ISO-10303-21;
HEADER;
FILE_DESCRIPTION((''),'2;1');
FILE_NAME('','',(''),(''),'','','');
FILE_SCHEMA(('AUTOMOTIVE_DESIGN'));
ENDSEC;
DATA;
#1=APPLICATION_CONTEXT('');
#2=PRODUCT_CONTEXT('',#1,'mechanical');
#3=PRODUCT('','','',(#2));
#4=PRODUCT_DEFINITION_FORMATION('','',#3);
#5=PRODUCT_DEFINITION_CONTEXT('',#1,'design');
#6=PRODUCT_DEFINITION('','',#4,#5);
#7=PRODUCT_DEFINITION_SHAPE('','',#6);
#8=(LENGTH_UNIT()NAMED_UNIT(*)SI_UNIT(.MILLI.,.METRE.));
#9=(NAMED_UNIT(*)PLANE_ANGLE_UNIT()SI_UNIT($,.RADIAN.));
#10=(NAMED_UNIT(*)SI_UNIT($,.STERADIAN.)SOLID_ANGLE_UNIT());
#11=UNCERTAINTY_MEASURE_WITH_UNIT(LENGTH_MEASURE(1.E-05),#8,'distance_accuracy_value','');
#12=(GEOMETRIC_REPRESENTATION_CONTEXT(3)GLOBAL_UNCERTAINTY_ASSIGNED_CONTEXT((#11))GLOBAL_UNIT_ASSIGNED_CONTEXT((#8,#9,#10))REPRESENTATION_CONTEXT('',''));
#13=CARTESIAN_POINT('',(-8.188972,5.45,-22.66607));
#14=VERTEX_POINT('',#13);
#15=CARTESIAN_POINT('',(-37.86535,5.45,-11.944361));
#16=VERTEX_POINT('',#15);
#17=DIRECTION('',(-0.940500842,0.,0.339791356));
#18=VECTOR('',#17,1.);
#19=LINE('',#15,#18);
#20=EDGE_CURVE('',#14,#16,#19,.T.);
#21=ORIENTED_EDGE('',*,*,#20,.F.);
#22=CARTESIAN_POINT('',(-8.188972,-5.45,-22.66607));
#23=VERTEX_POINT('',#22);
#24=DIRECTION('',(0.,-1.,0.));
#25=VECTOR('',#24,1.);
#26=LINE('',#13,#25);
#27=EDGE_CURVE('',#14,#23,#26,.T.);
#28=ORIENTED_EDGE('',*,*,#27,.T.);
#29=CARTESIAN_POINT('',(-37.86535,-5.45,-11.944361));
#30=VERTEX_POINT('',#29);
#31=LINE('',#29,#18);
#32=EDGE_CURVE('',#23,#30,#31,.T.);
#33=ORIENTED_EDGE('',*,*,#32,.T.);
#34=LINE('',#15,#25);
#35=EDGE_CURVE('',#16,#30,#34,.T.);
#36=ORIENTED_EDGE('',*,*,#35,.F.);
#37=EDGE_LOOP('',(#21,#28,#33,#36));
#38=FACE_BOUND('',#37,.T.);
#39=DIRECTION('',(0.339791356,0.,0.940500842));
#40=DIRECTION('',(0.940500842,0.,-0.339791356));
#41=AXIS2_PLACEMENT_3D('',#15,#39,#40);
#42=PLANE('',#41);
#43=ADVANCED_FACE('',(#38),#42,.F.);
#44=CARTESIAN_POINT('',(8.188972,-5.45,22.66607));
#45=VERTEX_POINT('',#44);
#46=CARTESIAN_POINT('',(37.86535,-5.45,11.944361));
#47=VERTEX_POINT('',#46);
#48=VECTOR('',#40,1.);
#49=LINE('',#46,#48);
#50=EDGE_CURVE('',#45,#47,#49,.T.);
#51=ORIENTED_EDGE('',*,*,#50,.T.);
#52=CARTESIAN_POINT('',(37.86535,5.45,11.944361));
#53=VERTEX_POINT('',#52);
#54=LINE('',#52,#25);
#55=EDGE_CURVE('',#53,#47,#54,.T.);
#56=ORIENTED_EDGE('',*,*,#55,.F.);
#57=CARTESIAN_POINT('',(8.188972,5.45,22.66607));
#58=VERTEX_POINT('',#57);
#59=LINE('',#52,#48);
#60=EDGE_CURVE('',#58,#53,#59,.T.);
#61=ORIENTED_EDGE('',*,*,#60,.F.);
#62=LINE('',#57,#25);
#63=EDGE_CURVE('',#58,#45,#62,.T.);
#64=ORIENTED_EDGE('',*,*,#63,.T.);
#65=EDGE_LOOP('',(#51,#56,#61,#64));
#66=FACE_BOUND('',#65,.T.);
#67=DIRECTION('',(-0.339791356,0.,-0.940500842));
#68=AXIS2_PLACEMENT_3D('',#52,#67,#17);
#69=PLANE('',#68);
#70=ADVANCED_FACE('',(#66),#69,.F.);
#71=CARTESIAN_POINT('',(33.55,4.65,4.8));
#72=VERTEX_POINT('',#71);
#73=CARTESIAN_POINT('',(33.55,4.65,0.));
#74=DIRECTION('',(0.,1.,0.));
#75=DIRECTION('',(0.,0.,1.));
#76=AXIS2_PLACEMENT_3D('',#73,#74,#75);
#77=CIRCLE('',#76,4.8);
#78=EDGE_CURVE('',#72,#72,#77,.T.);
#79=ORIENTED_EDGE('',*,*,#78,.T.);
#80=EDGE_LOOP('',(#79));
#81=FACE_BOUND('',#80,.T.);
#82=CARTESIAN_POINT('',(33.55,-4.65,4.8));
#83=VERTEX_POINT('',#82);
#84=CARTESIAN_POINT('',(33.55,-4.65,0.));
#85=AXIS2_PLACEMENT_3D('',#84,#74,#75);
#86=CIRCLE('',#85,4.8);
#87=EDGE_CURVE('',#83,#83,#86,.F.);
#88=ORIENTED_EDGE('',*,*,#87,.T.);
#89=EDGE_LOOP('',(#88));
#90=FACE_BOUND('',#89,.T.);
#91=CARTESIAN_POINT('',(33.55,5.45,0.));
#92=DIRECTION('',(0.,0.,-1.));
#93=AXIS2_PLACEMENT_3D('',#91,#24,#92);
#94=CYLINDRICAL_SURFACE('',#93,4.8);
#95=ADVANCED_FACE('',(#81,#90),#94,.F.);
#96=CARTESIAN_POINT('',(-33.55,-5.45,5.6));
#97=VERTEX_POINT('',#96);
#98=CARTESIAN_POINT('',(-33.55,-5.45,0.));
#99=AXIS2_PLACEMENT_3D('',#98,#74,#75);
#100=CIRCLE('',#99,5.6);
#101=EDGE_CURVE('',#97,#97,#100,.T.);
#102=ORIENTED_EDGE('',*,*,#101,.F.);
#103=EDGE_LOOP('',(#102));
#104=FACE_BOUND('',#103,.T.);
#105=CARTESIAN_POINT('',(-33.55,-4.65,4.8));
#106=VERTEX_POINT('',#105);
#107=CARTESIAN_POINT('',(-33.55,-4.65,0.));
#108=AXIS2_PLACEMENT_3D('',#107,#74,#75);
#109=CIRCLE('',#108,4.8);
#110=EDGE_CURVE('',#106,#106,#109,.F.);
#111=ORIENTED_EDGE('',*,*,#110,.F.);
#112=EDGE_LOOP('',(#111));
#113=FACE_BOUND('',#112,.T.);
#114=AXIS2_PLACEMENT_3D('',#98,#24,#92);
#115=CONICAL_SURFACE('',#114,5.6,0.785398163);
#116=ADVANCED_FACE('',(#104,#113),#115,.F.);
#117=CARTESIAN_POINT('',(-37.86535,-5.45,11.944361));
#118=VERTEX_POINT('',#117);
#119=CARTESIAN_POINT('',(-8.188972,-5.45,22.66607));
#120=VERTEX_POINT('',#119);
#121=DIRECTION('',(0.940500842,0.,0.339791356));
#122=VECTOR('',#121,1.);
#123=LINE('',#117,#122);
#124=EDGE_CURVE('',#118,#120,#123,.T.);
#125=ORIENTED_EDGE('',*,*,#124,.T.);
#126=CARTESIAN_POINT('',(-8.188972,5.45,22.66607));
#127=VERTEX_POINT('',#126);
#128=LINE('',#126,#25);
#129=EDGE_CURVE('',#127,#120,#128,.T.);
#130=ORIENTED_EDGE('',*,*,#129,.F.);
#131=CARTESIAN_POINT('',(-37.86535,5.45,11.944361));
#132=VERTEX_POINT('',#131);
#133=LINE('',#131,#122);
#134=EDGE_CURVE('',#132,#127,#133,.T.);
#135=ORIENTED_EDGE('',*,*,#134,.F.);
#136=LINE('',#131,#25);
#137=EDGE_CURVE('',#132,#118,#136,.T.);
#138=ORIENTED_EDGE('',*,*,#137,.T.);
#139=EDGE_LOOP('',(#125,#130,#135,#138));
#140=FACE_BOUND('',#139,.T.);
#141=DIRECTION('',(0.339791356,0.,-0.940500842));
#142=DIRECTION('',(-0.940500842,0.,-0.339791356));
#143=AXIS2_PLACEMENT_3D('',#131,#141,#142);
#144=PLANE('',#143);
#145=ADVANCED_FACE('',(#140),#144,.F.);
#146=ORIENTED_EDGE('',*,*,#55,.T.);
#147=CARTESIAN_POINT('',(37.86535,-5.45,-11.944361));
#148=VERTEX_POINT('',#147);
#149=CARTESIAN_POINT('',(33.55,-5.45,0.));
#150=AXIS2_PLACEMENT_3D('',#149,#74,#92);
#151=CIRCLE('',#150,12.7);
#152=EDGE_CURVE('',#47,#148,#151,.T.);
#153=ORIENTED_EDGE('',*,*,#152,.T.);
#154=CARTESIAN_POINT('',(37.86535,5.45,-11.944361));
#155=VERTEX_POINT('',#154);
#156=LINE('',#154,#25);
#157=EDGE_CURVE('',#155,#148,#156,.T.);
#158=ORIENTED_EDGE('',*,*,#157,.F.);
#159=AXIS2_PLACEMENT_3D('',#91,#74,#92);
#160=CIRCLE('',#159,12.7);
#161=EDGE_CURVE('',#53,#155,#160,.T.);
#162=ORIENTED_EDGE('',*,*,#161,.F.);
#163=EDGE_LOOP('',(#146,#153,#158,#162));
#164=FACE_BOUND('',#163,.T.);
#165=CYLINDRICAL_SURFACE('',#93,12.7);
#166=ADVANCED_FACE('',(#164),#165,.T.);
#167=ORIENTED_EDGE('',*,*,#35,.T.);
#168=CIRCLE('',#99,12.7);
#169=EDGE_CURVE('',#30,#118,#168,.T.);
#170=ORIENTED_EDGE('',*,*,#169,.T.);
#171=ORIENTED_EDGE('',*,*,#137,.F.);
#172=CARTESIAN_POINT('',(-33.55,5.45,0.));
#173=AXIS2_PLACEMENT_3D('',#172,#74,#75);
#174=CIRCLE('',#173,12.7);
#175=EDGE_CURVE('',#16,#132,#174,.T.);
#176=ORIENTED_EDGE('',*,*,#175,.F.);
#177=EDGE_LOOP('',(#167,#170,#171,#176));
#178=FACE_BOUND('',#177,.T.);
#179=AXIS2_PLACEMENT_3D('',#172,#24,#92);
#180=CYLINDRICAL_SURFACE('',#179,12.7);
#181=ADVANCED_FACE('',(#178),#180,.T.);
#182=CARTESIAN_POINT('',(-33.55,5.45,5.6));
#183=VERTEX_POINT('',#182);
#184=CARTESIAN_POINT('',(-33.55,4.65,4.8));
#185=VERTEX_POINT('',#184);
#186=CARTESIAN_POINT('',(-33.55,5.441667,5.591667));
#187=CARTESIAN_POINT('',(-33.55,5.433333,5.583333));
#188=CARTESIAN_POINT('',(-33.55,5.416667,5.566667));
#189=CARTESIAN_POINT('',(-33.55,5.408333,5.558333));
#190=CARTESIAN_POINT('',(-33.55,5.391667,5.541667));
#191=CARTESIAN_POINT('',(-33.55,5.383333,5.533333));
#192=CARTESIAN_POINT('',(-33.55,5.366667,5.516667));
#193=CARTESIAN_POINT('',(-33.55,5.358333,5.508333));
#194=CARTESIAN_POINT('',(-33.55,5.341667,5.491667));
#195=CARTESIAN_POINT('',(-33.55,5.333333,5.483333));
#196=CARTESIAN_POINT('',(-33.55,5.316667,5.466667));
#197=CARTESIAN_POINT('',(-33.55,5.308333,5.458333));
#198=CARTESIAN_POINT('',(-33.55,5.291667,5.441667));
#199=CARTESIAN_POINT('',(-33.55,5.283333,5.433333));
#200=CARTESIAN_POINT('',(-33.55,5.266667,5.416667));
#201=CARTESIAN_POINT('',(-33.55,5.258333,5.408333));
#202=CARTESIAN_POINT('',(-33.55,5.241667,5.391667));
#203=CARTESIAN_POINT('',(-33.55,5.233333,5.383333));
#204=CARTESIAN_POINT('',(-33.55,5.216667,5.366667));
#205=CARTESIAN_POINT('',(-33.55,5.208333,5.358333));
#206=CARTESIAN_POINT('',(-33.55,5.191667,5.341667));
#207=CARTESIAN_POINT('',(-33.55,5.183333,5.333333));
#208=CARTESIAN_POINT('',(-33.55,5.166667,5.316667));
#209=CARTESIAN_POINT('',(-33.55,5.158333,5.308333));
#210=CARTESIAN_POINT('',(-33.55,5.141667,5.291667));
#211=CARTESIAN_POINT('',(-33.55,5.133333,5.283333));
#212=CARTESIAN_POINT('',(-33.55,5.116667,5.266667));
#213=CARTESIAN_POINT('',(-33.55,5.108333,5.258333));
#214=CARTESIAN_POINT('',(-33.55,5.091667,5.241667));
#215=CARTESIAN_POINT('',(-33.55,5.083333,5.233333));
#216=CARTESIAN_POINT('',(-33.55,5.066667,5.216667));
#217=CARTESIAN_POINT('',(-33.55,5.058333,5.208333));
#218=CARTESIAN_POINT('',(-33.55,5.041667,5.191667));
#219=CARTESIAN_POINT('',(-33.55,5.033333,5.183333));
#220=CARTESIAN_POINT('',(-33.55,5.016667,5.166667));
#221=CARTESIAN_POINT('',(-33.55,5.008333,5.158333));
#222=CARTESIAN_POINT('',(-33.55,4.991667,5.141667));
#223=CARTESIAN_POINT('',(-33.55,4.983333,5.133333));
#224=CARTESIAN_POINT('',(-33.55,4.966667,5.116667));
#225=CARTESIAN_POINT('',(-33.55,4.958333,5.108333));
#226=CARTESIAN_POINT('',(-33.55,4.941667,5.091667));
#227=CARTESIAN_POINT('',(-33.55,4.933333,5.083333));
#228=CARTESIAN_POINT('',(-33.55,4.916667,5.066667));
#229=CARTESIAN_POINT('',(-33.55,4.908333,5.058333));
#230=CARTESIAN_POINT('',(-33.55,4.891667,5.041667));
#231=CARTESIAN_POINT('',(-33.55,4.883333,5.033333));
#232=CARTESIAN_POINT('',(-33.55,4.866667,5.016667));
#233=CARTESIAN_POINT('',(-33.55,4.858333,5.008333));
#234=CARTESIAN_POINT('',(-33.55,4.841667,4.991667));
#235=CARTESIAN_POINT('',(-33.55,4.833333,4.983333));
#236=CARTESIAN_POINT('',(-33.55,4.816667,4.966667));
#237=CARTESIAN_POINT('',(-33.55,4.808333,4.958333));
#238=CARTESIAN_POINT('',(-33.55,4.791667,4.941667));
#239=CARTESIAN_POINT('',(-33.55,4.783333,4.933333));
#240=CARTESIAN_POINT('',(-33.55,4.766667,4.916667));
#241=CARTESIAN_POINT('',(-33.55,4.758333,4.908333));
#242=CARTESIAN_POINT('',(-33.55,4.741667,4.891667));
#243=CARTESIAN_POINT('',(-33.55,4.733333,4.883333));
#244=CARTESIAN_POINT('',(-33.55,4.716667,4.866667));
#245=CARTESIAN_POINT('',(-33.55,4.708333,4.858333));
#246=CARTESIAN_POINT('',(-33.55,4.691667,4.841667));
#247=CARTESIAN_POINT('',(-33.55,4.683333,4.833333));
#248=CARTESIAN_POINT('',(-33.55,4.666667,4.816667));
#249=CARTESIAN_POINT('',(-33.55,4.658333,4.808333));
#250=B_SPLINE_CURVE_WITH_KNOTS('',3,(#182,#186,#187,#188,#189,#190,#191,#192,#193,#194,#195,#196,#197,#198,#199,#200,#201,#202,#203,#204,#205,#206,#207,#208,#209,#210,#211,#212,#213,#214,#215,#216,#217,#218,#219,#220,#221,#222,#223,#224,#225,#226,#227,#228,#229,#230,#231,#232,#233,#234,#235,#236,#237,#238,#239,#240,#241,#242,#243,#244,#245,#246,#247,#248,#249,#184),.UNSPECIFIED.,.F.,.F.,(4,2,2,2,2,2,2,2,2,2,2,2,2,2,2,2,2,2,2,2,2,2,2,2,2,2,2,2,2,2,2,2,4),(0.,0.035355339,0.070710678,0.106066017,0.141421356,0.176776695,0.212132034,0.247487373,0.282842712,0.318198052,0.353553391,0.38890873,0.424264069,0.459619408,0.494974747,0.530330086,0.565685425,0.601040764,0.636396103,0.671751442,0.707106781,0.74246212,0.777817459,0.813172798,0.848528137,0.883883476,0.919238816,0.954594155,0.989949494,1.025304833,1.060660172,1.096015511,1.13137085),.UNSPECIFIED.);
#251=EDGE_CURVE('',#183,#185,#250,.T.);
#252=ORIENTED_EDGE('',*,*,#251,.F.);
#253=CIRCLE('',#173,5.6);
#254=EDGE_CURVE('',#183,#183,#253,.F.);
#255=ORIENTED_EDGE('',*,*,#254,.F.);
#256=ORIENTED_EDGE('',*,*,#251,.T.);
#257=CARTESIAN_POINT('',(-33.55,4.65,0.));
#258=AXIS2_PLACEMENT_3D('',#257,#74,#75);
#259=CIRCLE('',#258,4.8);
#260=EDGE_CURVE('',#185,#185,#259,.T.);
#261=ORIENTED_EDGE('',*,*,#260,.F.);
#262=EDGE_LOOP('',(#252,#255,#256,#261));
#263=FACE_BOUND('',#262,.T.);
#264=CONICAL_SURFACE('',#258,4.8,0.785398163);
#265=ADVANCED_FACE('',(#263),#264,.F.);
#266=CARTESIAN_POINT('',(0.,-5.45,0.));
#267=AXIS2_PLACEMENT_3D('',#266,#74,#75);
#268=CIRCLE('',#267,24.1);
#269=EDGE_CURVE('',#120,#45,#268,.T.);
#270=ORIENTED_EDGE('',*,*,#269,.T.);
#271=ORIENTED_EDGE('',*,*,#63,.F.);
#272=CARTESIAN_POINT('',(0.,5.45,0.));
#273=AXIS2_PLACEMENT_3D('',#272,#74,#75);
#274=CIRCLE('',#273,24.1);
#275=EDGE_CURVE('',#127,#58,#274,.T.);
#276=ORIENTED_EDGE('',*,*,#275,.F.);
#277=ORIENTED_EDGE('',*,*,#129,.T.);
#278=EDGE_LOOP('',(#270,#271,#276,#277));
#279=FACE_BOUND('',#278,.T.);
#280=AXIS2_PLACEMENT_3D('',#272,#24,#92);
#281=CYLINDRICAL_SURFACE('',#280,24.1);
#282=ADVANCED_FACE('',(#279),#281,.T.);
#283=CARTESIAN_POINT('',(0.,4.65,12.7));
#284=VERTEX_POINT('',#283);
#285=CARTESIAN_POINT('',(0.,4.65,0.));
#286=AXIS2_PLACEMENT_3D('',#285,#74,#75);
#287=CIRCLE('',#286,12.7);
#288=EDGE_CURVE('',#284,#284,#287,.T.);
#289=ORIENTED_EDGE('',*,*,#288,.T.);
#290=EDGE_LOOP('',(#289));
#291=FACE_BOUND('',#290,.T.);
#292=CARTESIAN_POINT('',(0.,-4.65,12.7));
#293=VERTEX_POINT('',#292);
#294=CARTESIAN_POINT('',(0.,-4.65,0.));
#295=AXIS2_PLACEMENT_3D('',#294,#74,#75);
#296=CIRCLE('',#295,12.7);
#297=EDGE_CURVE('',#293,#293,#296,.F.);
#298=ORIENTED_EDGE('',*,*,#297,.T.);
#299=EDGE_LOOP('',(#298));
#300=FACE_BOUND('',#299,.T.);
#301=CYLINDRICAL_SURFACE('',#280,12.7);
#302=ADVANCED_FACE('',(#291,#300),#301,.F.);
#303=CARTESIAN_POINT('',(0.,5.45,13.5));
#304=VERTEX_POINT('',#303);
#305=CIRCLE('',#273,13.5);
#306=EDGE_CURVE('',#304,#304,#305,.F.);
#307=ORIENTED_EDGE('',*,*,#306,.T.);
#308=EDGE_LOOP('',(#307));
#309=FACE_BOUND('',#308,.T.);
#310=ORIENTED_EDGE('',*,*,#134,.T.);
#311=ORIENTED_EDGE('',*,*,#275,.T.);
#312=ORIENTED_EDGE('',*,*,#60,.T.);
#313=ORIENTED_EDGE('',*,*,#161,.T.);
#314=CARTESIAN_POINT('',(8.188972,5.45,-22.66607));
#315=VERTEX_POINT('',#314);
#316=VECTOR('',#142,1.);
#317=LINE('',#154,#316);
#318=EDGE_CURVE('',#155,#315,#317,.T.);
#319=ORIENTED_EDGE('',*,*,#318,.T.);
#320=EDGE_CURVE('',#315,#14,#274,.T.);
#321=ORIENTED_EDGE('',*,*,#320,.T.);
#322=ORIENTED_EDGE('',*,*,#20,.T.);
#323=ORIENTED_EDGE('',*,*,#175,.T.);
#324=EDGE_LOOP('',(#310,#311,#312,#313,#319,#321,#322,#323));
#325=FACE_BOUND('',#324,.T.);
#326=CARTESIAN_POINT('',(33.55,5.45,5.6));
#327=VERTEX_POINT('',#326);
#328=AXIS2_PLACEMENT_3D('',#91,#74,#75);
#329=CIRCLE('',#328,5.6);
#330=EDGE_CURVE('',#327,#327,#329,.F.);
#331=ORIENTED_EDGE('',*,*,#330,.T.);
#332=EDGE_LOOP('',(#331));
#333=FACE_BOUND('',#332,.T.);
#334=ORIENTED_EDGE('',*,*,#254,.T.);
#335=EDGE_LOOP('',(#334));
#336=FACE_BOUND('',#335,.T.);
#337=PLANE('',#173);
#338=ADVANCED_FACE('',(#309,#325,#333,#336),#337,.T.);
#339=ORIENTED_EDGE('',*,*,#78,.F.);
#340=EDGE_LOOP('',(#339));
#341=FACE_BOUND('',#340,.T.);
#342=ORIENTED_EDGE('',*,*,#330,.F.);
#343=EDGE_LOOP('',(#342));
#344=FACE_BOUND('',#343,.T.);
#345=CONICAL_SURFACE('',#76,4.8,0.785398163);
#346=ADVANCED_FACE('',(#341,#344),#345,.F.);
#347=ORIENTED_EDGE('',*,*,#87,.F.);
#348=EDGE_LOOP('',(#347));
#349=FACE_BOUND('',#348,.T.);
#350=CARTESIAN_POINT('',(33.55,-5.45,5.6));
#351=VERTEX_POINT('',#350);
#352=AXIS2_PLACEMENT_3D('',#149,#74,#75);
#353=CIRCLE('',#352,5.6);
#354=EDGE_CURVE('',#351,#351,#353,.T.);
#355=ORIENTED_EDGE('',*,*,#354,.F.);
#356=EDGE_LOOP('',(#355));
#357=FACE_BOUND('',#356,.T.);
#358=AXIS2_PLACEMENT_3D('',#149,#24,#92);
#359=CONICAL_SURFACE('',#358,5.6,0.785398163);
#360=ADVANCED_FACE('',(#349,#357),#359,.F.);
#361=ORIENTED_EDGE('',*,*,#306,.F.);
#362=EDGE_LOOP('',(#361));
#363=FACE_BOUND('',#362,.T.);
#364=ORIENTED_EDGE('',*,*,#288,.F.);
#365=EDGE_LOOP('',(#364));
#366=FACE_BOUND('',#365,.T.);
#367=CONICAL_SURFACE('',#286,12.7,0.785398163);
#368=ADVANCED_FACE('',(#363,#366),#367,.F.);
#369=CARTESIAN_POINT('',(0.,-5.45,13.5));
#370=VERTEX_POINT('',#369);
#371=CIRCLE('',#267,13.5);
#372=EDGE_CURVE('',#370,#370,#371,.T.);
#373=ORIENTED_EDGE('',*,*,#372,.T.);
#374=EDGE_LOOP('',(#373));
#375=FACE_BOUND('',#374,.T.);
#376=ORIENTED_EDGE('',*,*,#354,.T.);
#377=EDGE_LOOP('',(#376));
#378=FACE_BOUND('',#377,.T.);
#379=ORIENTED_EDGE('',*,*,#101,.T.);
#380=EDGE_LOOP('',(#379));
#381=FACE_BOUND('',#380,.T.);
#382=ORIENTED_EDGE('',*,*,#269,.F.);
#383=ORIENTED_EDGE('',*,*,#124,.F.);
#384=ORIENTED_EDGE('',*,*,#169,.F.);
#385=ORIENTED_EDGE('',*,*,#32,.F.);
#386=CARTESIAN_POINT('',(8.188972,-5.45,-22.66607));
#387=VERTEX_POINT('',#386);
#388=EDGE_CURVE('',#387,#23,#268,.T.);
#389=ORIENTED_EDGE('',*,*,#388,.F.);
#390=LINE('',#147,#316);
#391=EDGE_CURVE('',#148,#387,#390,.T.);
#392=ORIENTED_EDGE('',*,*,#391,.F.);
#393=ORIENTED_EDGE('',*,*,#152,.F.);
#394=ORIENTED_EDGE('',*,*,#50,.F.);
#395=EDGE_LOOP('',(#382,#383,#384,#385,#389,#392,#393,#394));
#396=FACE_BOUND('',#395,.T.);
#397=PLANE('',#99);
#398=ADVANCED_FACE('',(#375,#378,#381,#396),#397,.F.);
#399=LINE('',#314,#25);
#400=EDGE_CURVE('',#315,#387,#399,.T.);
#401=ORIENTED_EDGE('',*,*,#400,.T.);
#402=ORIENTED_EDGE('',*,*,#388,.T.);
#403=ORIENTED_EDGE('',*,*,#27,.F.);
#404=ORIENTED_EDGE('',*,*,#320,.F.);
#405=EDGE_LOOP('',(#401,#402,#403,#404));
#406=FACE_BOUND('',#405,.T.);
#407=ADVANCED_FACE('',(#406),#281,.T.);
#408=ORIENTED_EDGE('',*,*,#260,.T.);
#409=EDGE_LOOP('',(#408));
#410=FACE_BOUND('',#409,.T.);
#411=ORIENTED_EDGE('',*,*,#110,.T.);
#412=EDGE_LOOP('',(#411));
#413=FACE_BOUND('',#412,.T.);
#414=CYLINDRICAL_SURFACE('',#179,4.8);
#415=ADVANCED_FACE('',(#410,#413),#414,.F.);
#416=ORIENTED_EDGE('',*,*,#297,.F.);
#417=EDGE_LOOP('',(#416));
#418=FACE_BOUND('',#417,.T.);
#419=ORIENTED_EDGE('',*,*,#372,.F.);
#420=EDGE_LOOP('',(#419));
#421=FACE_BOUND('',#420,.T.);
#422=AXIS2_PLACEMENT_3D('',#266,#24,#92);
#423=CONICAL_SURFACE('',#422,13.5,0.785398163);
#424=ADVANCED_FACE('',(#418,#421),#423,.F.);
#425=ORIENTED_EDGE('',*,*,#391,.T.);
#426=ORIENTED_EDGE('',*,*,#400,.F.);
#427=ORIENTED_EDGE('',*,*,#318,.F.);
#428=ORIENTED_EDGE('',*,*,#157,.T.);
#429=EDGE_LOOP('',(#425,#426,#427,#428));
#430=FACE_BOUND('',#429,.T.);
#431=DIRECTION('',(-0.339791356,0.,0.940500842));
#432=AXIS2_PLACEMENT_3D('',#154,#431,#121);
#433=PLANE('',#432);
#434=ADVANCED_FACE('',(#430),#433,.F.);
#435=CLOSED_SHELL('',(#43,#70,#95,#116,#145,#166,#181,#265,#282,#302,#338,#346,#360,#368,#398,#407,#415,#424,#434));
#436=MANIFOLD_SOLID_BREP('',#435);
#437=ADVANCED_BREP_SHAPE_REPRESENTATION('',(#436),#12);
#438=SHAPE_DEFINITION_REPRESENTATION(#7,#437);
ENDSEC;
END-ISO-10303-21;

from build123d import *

# Parameters (mm, degrees)
SKETCH1_R           = 4.8
SKETCH1_R_2         = 12.7
BOSS_EXTRUDE1_DEPTH = 5.45
CHAMFER1_SIZE       = 0.8


with BuildPart() as part:
    # Sketch1 → Boss-Extrude1 (new, symmetric)
    with BuildSketch(Plane(origin=(0, 0, 0), x_dir=(1, 0, 0), z_dir=(0, 1, 0))):
        with BuildLine():
            Line((-37.865350224, 11.944360697), (-8.188971684, 22.666070298))
            ThreePointArc((-8.188971684, 22.666070298), (0, 24.1), (8.188971684, 22.666070298))
            Line((8.188971684, 22.666070298), (37.865350224, 11.944360697))
            ThreePointArc((37.865350224, 11.944360697), (46.25, 0), (37.865350224, -11.944360697))
            Line((37.865350224, -11.944360697), (8.188971684, -22.666070298))
            ThreePointArc((8.188971684, -22.666070298), (0, -24.1), (-8.188971684, -22.666070298))
            Line((-8.188971684, -22.666070298), (-37.865350224, -11.944360697))
            ThreePointArc((-37.865350224, -11.944360697), (-46.25, 0), (-37.865350224, 11.944360697))
        make_face()
        with Locations(Location((-33.55, 0, 0), (0, 0, 270))):
            Circle(SKETCH1_R, mode=Mode.SUBTRACT)
        with Locations(Location((33.55, 0, 0), (0, 0, 270))):
            Circle(SKETCH1_R, mode=Mode.SUBTRACT)
        with Locations(Location((0, 0, 0), (0, 0, 270))):
            Circle(SKETCH1_R_2, mode=Mode.SUBTRACT)
    extrude(amount=BOSS_EXTRUDE1_DEPTH, both=True)

    # Chamfer1
    chamfer1_edges = [part.edges().sort_by_distance(p)[0] for p in [
        (-33.55, -5.45, -4.8),
        (-33.55, 5.45, -4.8),
        (33.55, -5.45, -4.8),
        (33.55, 5.45, -4.8),
        (0, -5.45, -12.7),
        (0, 5.45, -12.7),
    ]]
    chamfer(chamfer1_edges, length=CHAMFER1_SIZE)


solid = part.part
